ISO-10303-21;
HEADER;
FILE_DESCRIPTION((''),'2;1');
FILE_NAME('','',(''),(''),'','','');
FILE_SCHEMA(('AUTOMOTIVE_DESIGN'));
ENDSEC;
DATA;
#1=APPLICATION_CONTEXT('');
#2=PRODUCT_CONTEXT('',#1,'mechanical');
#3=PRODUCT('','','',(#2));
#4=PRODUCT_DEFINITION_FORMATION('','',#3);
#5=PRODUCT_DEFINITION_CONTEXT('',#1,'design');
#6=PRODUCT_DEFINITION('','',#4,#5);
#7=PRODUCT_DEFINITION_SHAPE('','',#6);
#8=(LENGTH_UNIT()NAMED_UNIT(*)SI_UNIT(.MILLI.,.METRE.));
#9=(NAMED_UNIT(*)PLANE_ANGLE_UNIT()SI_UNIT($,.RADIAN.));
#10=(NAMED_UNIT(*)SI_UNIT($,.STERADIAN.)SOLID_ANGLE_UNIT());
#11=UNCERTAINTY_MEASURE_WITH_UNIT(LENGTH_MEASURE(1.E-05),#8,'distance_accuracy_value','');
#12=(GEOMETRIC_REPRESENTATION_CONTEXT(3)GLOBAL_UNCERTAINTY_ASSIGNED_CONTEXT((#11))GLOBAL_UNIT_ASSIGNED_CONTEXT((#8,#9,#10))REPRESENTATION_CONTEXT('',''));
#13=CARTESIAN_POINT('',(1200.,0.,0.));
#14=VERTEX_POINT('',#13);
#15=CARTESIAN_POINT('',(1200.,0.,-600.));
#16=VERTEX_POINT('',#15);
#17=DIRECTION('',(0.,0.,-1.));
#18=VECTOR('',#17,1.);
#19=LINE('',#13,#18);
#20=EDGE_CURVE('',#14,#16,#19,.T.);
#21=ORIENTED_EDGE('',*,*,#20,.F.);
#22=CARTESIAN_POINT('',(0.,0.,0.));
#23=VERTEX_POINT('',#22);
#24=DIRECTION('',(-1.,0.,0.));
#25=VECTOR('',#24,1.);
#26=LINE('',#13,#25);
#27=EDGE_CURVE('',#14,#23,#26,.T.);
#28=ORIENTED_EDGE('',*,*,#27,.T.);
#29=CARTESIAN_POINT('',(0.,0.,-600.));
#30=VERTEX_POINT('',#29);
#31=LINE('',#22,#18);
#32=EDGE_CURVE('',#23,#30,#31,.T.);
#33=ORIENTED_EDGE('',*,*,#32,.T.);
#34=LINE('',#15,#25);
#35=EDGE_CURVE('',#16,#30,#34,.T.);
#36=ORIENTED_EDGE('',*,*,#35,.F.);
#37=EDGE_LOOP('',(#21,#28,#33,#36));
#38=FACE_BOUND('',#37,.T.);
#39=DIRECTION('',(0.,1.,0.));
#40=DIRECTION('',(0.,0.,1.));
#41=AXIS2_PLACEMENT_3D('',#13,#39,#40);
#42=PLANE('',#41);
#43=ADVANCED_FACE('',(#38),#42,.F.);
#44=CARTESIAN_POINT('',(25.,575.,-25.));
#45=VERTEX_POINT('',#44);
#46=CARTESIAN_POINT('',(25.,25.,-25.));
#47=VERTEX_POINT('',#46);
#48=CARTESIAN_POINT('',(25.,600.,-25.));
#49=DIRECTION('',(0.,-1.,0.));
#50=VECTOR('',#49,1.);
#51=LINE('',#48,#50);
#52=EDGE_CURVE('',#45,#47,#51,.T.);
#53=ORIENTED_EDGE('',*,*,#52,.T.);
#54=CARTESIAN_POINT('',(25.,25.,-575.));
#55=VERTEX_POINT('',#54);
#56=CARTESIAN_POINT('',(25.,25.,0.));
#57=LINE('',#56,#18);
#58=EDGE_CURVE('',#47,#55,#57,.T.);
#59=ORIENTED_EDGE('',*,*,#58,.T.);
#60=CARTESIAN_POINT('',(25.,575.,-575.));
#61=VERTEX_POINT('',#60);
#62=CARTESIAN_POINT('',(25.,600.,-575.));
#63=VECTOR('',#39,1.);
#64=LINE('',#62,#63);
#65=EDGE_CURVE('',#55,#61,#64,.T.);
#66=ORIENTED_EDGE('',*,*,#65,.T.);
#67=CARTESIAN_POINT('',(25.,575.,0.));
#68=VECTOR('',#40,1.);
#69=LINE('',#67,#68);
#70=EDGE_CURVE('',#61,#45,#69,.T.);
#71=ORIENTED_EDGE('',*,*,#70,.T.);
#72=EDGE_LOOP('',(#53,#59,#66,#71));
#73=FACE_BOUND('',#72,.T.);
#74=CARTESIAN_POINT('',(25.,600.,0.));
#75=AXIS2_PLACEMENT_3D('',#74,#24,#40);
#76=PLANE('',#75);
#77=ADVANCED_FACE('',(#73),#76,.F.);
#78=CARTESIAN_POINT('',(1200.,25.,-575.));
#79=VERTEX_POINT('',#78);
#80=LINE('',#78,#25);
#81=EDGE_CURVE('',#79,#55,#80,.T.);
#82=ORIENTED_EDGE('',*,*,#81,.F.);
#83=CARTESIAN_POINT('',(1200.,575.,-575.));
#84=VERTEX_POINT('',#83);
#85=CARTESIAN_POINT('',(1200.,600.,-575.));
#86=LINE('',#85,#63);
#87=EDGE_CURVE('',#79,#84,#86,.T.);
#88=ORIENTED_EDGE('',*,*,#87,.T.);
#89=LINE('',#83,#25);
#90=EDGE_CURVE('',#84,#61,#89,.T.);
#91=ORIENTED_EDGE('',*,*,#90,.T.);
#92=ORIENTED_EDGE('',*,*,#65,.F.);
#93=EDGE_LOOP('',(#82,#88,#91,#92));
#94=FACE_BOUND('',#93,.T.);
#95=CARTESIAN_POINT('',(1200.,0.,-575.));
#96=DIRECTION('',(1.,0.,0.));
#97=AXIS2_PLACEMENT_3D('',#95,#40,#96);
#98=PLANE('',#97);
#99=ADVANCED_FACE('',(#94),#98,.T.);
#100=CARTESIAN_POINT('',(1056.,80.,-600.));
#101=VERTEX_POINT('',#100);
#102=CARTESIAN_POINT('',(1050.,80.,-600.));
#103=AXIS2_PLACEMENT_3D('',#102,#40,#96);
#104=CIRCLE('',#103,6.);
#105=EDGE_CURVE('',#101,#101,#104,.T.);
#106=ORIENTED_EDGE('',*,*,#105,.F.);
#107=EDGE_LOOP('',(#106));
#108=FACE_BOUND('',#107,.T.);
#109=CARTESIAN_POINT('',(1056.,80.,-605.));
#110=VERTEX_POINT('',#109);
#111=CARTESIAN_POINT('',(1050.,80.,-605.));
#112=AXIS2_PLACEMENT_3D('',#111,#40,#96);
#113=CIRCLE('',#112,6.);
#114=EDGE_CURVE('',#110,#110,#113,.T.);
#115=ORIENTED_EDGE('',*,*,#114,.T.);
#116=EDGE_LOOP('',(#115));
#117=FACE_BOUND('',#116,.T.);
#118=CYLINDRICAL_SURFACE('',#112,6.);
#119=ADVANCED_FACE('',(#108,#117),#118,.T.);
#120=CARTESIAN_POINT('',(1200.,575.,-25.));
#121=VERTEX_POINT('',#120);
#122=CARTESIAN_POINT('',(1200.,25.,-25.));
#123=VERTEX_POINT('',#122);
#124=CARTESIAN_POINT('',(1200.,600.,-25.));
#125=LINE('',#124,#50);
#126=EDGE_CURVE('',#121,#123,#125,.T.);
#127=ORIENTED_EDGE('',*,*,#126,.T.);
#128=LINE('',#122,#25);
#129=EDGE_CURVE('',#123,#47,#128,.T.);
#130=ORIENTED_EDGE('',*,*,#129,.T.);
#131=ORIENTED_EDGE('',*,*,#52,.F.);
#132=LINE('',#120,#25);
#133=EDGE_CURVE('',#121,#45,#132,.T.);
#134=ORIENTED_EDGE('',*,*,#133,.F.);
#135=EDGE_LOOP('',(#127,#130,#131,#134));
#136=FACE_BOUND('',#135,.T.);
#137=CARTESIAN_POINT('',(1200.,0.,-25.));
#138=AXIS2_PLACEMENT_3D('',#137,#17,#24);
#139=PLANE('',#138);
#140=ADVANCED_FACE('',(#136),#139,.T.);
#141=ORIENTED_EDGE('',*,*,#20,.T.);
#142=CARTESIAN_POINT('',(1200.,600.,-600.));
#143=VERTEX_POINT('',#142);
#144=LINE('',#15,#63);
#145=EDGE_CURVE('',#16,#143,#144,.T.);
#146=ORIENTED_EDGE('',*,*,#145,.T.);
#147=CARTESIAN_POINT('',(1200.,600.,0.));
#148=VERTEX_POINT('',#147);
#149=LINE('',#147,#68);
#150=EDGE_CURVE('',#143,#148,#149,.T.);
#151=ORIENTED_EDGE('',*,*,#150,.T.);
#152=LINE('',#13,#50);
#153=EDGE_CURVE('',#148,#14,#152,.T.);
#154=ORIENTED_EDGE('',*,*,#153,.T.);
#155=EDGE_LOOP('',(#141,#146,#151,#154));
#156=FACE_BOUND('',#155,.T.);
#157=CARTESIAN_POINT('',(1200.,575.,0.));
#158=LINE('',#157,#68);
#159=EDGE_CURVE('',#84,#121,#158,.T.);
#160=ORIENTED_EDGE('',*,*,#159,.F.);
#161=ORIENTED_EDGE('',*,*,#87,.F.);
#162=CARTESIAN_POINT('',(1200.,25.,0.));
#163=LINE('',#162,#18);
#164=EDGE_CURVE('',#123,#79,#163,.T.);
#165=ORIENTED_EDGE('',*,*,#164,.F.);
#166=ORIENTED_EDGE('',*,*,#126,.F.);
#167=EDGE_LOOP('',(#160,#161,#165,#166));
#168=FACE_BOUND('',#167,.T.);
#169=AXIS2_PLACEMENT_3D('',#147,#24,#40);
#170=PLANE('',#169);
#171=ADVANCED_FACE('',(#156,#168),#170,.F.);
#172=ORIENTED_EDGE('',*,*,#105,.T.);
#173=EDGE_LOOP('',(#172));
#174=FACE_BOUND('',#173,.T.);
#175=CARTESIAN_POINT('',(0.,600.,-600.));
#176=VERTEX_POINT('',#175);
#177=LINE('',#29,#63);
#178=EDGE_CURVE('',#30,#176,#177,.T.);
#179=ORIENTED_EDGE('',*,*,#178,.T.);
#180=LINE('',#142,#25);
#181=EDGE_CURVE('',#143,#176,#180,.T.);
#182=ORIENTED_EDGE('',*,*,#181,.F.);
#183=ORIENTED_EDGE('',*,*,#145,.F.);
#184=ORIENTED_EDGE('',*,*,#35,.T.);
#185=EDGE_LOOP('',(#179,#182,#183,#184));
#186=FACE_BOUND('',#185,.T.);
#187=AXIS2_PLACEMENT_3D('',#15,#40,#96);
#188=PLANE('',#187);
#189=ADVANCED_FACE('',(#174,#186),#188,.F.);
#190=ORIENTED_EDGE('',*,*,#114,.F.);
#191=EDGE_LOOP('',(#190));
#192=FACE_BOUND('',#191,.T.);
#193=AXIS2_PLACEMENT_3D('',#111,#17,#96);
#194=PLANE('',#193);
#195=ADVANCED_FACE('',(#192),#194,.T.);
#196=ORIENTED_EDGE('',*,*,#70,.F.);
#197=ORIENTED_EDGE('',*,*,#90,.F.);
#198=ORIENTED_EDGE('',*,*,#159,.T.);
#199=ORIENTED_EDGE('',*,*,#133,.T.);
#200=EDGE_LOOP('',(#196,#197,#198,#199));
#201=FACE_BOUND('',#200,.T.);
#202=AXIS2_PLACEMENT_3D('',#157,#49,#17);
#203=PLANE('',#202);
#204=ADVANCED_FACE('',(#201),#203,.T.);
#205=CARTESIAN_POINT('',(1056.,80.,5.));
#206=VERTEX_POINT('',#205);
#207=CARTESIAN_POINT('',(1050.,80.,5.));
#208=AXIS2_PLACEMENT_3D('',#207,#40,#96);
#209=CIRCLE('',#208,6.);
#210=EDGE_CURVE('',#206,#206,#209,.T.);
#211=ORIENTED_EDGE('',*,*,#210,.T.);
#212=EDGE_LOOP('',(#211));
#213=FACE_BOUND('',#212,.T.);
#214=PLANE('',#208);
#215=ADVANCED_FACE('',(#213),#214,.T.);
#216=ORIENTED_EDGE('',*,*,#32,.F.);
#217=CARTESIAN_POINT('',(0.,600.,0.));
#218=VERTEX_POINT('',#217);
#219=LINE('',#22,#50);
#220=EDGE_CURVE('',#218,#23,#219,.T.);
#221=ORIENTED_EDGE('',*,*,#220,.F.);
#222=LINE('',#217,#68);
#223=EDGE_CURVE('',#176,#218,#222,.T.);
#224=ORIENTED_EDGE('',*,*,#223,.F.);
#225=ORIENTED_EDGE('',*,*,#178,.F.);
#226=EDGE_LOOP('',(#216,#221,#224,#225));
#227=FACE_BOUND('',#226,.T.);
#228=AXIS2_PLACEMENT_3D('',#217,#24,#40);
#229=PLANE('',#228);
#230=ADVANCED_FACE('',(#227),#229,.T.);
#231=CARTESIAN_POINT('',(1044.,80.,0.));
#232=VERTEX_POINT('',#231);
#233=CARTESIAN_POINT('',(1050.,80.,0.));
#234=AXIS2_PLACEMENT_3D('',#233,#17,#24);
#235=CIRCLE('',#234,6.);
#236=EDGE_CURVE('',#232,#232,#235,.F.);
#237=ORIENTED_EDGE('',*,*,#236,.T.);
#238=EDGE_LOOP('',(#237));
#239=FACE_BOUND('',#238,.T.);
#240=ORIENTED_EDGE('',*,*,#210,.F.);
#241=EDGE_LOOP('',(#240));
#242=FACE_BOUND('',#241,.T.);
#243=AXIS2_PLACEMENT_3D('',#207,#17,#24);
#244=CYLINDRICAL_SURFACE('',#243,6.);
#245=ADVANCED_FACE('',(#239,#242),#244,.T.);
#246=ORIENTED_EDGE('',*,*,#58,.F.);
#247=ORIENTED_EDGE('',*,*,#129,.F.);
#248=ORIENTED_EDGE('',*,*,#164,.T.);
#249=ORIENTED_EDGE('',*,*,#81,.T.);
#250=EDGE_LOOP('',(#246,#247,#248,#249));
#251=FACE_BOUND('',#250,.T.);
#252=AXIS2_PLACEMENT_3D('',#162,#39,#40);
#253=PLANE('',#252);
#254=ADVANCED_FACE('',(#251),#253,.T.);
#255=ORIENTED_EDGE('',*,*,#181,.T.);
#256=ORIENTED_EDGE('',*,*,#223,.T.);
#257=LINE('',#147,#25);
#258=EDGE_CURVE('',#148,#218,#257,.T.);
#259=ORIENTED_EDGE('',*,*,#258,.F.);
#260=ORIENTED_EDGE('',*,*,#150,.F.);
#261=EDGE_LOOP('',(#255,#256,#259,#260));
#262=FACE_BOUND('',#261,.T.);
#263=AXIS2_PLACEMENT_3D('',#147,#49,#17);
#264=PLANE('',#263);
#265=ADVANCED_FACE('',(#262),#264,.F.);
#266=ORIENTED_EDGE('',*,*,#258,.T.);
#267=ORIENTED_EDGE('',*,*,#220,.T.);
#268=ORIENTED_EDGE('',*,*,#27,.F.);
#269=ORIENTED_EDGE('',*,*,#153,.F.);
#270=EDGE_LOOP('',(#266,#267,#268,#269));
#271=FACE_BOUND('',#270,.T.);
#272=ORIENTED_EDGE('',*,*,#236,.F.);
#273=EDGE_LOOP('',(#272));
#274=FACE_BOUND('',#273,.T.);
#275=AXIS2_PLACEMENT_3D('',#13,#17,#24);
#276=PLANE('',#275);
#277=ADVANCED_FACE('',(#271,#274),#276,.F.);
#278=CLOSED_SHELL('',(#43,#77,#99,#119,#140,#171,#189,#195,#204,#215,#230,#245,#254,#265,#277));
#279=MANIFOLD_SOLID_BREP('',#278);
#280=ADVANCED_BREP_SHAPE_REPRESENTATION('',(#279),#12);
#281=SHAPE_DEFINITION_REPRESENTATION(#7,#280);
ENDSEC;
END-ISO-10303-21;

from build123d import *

# Parameters (mm, degrees)
SKETCH1_W           = 600
SKETCH1_H           = 600
BOSS_EXTRUDE1_DEPTH = 1200
SHELL1_T            = -25
SKETCH2_R           = 6
BOSS_EXTRUDE2_DEPTH = 5


with BuildPart() as part:
    # Sketch1 → Boss-Extrude1 (new body)
    with BuildSketch(Plane(origin=(0, 0, 0), x_dir=(0, 0, -1), z_dir=(1, 0, 0))):
        with Locations((300, 300)):
            Rectangle(SKETCH1_W, SKETCH1_H)
    extrude(amount=BOSS_EXTRUDE1_DEPTH)

    # Shell1
    shell1_openings = [part.faces().sort_by_distance(p)[0] for p in [
        (1200, 300, -300),
    ]]
    offset(amount=SHELL1_T, openings=shell1_openings, kind=Kind.INTERSECTION)

    # Sketch2 → Boss-Extrude2 (add)
    with BuildSketch(Plane.XY):
        with Locations(Location((1050, 80, 0), (0, 0, 180))):
            Circle(SKETCH2_R)
    boss_extrude2 = extrude(amount=BOSS_EXTRUDE2_DEPTH)

    # Mirror1: Boss-Extrude2 across plane
    add(boss_extrude2.mirror(Plane.XY.offset(-300)))


solid = part.part
